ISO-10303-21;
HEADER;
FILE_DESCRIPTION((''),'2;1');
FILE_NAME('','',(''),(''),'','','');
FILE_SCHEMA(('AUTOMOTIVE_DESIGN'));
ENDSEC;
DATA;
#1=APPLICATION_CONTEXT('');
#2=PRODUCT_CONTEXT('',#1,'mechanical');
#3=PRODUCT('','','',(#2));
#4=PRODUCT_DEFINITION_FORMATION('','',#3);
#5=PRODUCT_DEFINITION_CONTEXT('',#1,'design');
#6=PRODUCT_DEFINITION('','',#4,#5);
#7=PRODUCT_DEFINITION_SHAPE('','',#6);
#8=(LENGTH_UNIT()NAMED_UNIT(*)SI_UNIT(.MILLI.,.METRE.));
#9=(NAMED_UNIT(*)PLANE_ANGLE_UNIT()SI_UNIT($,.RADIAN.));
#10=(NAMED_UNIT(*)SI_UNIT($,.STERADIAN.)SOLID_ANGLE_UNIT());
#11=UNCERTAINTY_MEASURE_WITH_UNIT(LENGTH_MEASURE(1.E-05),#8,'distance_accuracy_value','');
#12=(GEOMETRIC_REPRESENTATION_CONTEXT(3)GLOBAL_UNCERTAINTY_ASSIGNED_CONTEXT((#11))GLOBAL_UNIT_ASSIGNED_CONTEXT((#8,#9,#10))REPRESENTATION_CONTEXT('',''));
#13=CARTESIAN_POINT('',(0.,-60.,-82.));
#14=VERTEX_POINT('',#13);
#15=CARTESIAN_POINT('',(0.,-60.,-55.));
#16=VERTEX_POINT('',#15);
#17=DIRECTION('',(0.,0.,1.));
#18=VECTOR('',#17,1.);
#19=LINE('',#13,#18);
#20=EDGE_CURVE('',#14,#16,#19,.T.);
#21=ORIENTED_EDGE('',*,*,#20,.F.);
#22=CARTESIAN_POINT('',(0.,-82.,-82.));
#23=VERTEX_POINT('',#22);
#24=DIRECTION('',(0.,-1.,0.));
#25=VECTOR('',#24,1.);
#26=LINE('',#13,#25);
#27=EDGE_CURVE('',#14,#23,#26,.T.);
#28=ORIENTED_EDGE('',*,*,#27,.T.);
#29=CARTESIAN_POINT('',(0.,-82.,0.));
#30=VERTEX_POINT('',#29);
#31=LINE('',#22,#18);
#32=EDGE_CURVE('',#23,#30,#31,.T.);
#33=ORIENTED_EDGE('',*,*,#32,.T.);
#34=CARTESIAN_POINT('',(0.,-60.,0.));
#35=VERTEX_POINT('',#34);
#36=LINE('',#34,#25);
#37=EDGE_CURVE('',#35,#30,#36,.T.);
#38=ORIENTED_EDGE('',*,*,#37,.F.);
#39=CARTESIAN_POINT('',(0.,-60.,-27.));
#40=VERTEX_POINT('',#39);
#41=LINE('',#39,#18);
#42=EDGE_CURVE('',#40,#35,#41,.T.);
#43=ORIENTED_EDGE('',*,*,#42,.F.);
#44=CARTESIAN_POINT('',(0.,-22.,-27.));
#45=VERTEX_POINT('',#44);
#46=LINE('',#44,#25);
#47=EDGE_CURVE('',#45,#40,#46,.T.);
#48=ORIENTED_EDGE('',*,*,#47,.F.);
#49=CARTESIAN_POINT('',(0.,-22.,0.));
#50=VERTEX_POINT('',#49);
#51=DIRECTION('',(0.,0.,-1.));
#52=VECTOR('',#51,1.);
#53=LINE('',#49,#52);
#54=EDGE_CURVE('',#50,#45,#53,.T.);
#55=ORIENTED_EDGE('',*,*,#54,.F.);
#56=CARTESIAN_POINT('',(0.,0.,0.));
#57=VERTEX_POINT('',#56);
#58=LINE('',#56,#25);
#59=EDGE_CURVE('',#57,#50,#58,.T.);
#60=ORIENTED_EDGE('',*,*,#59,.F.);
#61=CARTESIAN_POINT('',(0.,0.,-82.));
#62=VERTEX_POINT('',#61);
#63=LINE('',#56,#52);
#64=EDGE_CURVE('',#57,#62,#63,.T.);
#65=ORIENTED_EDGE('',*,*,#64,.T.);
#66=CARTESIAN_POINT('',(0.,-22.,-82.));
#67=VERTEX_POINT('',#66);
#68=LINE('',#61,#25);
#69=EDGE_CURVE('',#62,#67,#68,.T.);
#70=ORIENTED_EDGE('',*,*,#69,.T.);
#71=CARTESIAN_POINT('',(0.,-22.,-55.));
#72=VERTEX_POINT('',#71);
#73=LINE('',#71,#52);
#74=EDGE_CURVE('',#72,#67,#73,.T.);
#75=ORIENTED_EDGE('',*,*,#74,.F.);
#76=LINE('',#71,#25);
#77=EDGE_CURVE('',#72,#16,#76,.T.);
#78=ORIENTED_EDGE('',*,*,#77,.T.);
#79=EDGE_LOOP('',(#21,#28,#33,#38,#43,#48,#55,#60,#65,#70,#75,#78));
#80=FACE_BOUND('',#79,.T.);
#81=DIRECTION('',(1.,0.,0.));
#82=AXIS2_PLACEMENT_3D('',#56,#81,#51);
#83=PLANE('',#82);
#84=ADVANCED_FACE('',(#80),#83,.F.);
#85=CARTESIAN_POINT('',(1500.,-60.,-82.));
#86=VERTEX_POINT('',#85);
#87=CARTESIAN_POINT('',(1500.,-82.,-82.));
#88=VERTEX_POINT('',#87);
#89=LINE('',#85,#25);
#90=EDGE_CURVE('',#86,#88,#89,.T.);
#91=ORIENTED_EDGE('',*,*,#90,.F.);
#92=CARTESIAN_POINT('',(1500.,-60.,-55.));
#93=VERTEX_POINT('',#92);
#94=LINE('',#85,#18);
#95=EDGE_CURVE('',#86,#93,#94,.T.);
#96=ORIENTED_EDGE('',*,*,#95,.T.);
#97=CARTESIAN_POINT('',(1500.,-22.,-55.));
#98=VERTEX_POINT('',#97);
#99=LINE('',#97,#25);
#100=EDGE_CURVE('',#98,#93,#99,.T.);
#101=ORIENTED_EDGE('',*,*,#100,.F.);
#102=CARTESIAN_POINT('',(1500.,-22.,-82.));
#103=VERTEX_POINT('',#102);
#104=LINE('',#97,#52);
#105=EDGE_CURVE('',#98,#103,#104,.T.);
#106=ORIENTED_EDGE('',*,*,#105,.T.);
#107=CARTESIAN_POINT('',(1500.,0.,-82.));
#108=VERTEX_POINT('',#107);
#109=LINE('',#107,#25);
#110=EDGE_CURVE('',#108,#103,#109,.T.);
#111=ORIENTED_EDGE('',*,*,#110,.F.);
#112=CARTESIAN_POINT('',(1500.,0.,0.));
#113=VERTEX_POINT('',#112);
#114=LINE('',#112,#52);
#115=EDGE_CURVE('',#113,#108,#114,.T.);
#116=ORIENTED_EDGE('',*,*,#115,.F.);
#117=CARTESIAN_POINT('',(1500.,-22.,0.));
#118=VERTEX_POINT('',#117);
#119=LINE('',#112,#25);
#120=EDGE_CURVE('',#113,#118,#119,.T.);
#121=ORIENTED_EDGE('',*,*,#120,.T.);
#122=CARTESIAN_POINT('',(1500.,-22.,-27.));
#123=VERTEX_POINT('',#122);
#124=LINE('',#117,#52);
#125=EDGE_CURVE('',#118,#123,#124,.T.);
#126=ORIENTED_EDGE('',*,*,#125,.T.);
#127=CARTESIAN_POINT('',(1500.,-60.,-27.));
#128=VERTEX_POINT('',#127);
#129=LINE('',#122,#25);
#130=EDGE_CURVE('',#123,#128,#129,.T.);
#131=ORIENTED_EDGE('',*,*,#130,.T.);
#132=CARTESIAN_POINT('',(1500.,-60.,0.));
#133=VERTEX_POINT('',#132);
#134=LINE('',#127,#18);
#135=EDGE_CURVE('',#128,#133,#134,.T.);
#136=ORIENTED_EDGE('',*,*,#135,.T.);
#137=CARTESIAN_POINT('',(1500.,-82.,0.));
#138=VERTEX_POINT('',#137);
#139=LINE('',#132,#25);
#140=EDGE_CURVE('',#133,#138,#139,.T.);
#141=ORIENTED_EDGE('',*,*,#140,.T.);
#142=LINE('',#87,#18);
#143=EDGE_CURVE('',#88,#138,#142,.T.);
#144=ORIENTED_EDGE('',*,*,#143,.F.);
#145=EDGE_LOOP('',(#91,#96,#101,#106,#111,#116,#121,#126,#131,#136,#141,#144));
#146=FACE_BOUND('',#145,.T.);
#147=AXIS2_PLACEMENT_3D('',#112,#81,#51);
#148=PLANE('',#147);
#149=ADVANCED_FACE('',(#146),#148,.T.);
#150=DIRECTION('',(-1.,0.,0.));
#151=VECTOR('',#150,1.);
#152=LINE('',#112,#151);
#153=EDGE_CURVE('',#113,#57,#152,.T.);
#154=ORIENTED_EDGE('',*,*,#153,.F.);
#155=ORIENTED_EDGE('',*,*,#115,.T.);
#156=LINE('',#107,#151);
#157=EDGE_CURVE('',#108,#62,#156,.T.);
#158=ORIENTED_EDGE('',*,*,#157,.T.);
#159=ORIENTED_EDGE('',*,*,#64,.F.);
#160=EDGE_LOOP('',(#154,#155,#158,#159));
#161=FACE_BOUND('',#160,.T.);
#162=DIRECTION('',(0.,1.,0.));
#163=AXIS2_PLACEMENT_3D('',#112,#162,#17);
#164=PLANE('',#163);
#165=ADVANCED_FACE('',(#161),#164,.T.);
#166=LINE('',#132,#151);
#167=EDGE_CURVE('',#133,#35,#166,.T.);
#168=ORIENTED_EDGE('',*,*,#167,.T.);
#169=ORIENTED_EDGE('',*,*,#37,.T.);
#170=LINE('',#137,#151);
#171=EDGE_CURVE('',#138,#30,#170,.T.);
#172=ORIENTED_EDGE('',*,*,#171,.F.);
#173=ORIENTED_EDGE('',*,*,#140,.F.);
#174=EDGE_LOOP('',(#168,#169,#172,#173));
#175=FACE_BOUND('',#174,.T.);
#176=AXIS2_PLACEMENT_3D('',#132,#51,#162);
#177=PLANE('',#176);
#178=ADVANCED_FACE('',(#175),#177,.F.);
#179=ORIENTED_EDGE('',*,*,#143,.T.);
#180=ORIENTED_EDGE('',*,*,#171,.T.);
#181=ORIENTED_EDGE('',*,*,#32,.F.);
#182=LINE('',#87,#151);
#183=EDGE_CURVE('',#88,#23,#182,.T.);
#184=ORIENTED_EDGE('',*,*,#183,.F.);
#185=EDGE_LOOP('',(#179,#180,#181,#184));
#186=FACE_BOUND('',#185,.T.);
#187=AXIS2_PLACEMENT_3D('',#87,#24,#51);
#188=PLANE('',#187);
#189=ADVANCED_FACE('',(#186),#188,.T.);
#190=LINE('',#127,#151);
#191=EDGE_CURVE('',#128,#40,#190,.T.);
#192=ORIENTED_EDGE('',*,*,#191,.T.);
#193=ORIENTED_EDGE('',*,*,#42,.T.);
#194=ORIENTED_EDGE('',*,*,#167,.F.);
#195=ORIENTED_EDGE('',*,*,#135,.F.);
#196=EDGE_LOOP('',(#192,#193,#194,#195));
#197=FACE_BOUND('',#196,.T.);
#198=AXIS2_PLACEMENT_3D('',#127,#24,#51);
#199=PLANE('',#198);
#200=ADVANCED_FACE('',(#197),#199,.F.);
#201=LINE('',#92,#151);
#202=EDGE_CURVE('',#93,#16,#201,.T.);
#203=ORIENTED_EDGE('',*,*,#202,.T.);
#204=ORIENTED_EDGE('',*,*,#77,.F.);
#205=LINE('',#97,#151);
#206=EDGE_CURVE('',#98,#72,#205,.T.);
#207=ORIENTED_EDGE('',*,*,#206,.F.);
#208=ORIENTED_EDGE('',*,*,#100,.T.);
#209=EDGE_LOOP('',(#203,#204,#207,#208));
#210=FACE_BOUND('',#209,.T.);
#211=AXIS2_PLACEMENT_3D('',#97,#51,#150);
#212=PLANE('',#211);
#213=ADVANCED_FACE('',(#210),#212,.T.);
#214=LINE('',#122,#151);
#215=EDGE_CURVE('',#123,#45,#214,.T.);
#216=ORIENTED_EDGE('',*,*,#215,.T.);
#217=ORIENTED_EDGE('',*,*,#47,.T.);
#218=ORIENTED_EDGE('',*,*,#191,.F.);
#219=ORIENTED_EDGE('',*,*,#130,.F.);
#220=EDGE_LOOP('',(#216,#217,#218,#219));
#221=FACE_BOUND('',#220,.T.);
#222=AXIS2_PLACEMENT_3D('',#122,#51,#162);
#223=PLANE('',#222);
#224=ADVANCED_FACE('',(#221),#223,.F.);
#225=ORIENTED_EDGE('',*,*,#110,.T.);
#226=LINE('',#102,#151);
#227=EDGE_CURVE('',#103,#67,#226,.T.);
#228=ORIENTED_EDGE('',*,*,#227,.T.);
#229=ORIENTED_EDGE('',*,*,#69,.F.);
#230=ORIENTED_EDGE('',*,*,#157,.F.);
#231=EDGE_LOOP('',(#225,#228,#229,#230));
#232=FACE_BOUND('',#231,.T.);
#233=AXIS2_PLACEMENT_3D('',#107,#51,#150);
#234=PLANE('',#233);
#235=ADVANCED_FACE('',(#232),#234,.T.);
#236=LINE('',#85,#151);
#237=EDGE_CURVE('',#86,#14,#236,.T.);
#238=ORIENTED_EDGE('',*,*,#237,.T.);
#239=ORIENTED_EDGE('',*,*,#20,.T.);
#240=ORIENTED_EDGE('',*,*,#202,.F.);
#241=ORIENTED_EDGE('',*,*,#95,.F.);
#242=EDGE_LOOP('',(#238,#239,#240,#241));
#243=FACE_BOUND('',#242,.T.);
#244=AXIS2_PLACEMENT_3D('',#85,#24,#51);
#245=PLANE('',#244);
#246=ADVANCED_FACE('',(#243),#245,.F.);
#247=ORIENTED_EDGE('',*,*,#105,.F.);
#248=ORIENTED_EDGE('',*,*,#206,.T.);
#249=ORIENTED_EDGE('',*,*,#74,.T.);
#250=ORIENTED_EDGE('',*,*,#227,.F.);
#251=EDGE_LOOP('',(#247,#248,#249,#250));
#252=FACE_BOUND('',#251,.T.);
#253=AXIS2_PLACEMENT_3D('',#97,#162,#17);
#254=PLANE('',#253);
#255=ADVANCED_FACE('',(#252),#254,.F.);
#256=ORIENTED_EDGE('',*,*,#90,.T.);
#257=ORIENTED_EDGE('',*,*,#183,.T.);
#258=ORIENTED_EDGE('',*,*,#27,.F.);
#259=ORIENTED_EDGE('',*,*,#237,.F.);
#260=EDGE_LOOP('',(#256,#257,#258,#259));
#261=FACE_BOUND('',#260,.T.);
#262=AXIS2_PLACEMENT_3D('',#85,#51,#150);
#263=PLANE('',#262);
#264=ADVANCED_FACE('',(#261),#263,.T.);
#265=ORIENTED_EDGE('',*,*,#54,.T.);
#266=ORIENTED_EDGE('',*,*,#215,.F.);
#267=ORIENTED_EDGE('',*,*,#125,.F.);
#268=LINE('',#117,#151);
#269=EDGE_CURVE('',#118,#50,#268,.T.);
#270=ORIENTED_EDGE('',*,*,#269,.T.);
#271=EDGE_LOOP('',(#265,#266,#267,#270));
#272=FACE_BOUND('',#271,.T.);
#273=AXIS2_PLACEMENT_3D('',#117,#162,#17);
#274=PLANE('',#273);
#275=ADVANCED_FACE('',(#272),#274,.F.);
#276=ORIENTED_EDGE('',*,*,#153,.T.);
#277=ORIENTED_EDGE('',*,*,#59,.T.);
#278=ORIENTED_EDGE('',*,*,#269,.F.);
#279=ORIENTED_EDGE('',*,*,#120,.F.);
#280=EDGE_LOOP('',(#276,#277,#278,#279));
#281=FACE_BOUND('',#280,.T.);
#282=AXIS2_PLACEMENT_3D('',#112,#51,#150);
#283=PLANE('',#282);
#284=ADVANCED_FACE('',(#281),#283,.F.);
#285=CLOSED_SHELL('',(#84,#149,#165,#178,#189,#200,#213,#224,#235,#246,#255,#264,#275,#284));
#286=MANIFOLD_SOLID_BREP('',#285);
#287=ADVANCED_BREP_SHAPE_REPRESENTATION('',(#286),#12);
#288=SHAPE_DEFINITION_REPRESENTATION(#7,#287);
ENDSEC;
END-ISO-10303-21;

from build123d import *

# Parameters (mm, degrees)
BOSS_EXTRUDE1_DEPTH = 1500


with BuildPart() as part:
    # Sketch1 → Boss-Extrude1 (new body)
    with BuildSketch(Plane(origin=(0, 0, 0), x_dir=(0, 0, -1), z_dir=(1, 0, 0))):
        Polygon((55, -22), (82, -22), (82, 0), (0, 0), (0, -22), (27, -22), (27, -60), (0, -60), (0, -82), (82, -82), (82, -60), (55, -60), align=None)
    extrude(amount=BOSS_EXTRUDE1_DEPTH)


solid = part.part
